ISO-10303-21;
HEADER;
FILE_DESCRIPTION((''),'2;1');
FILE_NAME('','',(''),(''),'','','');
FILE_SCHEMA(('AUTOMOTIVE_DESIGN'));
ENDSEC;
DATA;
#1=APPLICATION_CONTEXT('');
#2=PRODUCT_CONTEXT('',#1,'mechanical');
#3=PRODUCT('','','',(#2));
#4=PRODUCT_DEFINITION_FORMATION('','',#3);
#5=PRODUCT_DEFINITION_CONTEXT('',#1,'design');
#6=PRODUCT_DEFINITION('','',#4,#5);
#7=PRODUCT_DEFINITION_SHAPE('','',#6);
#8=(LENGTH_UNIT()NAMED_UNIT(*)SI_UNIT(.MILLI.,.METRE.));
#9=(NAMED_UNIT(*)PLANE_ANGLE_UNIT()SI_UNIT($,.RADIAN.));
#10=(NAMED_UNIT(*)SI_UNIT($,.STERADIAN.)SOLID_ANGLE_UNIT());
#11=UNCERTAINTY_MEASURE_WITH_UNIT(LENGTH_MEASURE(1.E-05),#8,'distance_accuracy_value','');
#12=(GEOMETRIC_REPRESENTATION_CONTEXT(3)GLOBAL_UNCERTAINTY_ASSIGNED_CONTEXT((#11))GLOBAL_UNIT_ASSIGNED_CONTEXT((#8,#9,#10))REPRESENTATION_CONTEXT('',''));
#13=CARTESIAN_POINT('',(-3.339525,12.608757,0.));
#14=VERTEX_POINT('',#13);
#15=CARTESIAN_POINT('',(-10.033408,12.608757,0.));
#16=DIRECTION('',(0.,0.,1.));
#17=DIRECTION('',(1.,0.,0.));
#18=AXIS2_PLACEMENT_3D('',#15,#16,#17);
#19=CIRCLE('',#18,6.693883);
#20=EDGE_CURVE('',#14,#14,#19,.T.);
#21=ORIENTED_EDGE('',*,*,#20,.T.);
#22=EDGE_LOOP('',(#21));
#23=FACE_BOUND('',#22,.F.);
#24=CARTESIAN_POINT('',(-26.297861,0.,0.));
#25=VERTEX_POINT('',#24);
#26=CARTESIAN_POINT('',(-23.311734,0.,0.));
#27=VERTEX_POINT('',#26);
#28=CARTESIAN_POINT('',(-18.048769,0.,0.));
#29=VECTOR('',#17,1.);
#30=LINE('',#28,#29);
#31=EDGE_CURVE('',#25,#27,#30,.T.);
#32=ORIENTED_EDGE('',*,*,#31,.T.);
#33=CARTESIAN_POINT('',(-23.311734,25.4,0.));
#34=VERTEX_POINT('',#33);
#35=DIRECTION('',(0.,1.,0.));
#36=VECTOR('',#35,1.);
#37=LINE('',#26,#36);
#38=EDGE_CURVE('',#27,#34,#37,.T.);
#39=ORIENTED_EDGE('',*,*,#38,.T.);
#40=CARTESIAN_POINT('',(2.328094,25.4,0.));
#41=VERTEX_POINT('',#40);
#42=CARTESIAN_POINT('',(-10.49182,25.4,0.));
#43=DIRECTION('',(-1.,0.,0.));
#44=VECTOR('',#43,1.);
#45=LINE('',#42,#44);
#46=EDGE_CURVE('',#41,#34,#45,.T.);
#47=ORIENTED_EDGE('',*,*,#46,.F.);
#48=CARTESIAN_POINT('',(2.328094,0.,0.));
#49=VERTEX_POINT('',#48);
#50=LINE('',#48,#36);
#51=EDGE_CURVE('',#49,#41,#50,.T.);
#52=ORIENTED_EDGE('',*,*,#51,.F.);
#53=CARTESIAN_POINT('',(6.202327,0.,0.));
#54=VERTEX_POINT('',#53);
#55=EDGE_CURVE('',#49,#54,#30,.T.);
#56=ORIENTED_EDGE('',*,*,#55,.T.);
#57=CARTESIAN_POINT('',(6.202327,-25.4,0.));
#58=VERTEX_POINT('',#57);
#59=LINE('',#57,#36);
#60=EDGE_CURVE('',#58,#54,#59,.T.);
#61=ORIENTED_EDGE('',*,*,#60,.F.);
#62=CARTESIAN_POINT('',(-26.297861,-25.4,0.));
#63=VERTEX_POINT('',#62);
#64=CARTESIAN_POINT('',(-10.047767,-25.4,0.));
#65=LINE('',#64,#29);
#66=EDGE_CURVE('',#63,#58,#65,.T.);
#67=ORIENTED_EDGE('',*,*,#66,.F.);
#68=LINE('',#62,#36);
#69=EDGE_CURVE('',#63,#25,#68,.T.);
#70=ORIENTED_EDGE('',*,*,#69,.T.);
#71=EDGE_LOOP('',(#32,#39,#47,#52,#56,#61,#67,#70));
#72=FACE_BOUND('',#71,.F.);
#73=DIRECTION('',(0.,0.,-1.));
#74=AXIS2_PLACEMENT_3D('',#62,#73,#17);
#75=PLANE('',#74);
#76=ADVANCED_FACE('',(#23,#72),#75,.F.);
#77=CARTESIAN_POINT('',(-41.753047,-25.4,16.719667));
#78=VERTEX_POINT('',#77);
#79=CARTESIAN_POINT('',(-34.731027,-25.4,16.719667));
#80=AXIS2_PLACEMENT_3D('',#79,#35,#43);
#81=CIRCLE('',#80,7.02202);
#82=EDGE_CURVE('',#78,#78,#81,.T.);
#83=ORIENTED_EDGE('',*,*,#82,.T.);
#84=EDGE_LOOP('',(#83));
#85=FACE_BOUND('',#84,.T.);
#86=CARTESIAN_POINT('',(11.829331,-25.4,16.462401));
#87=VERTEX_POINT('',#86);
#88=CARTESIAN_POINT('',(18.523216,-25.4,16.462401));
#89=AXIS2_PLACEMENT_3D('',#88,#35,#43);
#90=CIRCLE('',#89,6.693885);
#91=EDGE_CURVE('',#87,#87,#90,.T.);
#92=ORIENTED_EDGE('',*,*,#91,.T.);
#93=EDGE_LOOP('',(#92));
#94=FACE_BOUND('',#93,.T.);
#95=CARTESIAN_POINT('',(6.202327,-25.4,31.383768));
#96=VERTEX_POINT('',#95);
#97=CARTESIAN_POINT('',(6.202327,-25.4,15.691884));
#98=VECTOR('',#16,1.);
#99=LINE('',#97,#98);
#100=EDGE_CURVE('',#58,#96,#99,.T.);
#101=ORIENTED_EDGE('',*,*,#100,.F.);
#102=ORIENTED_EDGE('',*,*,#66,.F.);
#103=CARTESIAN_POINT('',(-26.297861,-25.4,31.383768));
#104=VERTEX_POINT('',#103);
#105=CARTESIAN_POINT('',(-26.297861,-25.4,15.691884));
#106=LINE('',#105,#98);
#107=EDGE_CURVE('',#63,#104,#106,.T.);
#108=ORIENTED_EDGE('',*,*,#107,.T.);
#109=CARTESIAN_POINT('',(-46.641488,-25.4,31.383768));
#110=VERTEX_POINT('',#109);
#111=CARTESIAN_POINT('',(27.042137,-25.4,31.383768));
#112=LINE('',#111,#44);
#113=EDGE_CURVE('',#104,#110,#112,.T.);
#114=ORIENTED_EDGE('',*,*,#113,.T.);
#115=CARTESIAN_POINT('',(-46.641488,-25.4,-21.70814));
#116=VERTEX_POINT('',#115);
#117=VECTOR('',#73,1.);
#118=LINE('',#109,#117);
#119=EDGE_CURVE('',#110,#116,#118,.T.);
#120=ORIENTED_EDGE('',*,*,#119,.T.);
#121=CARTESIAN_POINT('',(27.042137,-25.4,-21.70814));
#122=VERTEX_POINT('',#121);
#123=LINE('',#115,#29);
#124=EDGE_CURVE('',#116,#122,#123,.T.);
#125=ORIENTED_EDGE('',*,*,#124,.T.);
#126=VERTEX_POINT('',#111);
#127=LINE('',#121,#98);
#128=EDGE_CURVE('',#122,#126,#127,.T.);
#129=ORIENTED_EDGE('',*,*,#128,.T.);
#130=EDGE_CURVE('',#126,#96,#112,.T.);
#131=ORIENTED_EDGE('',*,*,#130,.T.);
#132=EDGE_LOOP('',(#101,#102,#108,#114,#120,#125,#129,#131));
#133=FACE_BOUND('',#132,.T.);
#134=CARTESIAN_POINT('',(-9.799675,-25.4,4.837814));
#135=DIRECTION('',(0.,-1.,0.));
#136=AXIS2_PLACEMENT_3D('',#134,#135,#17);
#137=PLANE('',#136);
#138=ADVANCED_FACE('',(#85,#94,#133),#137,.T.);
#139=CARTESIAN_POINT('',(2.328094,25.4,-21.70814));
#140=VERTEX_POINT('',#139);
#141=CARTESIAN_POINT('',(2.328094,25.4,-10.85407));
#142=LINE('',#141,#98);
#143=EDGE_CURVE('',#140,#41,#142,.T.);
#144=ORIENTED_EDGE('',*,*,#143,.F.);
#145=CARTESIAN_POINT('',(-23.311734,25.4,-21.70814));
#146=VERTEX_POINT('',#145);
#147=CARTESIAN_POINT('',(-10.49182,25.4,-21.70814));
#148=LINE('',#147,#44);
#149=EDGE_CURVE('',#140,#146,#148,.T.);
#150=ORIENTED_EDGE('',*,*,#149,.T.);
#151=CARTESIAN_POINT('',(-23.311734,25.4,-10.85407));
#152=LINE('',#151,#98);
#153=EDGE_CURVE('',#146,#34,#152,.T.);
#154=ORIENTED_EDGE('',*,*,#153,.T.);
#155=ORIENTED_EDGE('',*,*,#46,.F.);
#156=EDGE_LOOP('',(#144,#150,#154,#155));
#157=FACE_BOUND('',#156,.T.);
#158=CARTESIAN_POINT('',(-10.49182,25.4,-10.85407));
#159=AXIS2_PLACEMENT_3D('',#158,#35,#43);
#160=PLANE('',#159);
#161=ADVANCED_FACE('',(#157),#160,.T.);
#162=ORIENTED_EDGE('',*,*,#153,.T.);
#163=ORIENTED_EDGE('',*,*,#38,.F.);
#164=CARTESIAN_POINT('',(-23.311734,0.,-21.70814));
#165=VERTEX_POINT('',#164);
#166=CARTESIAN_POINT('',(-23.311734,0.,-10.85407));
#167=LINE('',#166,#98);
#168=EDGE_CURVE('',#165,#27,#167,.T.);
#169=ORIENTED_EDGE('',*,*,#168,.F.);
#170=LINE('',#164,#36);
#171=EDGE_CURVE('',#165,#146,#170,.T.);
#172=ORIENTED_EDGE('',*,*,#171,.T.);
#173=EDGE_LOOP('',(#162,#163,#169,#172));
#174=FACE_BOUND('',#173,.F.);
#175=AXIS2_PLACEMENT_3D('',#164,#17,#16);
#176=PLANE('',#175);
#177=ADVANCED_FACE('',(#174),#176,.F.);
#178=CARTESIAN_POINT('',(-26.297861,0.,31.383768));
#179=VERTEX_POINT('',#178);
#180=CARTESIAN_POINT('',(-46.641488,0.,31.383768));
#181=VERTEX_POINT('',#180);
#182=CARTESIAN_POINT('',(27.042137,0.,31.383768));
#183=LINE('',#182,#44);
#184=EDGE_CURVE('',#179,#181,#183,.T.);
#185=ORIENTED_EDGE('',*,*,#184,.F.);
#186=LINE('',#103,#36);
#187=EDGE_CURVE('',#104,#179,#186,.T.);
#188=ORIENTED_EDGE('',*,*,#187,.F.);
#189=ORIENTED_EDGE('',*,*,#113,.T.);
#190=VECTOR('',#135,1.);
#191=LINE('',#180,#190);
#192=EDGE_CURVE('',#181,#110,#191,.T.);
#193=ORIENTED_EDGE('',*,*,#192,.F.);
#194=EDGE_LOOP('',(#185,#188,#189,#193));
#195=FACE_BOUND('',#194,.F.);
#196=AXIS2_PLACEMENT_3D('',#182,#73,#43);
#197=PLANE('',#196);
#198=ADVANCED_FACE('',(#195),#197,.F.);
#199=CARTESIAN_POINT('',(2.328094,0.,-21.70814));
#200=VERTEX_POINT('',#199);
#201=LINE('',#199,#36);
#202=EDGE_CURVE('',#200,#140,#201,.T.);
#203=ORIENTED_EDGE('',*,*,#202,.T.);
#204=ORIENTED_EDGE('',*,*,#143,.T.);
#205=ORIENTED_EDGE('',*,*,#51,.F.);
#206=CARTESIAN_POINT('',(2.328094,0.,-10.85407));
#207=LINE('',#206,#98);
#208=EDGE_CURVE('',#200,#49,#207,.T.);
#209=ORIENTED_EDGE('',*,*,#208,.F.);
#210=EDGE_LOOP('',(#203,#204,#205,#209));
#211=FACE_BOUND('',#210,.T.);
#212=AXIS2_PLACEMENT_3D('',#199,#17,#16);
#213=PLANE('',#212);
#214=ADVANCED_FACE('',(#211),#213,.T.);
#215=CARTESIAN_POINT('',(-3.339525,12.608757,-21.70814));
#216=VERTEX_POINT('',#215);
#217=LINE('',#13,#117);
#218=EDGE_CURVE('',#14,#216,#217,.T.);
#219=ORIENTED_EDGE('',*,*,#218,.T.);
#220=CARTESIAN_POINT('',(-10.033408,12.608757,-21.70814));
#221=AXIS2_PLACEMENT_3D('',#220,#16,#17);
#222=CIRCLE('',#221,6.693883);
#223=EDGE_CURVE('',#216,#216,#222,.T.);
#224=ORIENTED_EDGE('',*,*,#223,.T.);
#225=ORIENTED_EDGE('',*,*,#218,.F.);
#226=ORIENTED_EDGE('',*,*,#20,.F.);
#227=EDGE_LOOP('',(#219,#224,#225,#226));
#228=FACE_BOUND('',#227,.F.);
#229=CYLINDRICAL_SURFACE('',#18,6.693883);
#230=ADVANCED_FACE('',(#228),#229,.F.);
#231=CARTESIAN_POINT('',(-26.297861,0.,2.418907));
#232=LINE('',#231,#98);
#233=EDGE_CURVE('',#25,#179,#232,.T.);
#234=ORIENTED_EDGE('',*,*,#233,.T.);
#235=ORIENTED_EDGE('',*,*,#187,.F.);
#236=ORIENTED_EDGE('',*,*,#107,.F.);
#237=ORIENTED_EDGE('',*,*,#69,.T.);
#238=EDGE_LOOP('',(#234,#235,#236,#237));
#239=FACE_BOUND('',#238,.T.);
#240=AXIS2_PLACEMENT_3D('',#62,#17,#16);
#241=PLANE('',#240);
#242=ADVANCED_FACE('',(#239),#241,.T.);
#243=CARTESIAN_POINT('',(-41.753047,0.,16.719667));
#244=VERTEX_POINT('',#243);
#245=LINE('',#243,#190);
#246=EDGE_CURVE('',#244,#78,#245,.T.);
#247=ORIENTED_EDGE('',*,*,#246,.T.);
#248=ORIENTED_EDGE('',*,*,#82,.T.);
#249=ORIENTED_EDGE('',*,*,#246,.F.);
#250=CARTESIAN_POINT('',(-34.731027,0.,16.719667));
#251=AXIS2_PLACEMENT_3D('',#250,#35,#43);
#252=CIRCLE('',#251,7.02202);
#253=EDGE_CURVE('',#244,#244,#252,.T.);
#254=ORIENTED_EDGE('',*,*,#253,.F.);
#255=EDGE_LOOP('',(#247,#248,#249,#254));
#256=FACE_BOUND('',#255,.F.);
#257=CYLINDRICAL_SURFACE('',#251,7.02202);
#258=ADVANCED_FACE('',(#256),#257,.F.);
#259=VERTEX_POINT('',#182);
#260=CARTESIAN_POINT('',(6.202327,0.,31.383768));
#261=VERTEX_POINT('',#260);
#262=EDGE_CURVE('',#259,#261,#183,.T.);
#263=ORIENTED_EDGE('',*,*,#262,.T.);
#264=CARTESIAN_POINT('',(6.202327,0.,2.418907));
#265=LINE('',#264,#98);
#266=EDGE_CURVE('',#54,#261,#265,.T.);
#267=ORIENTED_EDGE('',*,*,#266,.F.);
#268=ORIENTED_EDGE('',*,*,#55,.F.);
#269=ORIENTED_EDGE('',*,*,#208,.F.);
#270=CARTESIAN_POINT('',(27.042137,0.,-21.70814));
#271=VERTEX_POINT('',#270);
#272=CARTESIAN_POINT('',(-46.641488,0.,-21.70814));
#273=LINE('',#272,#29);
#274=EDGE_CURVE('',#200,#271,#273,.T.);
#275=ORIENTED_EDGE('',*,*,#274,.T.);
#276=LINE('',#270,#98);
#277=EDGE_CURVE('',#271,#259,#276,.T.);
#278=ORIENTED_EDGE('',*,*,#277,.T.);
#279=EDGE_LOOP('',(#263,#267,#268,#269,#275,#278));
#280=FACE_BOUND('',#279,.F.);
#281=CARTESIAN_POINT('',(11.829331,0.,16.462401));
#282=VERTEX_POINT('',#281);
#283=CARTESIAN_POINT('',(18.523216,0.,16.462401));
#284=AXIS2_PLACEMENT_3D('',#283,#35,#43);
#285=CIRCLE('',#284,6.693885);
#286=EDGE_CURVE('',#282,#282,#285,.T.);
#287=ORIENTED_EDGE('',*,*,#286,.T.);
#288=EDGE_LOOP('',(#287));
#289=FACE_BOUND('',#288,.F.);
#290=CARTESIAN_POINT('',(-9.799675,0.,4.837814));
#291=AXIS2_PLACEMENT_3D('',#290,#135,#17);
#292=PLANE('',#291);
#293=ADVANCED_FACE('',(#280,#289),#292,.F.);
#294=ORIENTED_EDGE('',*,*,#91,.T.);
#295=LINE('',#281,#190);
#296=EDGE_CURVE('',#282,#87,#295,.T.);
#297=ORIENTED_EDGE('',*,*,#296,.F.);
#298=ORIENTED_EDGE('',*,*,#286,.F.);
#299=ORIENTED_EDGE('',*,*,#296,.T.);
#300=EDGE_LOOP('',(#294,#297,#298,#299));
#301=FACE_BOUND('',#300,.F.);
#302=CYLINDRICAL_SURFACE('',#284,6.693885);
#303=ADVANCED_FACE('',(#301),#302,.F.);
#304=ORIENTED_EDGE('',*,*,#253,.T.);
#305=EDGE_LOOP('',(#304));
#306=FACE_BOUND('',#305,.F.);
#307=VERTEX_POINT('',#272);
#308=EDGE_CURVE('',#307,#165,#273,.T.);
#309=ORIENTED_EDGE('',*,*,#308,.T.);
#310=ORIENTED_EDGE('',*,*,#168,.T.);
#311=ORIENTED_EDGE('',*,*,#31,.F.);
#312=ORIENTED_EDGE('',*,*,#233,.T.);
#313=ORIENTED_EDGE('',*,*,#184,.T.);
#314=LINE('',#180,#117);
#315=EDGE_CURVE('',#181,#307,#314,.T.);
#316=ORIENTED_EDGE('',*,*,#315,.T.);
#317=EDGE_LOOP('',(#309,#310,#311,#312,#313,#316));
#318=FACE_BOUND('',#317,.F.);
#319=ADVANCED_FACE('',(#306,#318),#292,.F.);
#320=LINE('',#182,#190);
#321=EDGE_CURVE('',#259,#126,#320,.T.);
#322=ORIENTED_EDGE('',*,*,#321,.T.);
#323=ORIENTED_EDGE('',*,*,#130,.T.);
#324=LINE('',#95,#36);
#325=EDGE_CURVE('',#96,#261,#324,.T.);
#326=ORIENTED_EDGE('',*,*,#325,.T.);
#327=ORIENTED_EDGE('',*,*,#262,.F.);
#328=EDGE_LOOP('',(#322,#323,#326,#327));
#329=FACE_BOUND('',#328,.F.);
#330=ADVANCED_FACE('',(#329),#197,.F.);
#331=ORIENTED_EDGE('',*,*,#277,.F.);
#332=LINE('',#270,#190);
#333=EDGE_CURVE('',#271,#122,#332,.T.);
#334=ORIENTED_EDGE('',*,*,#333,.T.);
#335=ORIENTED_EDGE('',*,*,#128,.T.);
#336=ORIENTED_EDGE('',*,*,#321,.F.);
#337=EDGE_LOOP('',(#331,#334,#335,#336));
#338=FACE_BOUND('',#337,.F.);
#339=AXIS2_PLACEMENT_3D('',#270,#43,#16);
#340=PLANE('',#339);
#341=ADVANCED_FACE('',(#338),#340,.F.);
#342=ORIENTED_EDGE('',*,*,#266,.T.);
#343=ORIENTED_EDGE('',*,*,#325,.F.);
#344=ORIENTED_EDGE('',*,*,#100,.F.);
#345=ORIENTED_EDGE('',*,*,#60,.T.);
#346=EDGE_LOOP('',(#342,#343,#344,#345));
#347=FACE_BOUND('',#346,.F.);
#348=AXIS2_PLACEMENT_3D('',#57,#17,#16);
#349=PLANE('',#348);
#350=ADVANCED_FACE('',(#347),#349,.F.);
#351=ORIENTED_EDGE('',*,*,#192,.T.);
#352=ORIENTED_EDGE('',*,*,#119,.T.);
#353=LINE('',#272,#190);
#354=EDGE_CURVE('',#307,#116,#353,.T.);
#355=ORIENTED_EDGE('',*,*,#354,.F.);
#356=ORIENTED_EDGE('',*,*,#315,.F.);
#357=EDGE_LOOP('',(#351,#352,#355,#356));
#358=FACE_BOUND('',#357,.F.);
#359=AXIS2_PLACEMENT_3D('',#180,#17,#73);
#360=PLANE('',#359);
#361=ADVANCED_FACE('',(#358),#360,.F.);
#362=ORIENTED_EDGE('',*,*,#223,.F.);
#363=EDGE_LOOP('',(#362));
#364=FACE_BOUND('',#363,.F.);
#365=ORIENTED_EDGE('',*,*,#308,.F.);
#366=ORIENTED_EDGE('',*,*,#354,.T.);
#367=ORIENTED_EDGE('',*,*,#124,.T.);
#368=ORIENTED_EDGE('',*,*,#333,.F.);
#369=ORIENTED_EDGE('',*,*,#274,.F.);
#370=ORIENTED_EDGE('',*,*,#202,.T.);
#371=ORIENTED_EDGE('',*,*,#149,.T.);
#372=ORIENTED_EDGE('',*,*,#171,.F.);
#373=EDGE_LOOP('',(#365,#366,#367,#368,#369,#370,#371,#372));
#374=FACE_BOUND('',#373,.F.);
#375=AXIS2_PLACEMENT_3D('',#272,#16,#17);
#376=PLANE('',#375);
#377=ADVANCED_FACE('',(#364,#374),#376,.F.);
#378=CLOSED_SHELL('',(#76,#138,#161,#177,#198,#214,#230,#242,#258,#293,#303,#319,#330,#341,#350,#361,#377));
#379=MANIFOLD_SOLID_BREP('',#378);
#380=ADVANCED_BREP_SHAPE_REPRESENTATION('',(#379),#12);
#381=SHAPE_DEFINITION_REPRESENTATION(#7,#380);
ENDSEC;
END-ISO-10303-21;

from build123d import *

# Parameters (mm, degrees)
F1_DEPTH  = 25.4
F2_W      = 32.500189
F2_H      = 31.383768
F3_DEPTH  = 76.2
F4_W      = 25.639828
F4_H      = 21.70814
F5_DEPTH  = 25.4
F8_R      = 6.693883
F9_DEPTH  = 25.4
F6_R      = 6.693885
F10_DEPTH = 25.4
F7_R      = 7.02202
F11_DEPTH = 25.4


with BuildPart() as f1:
    # F0 (on Front) → F1 (new body)
    with BuildSketch(Plane.XZ):
        Polygon((-46.641488, 31.383768), (-46.641488, 28.902836), (-46.641488, -21.70814), (27.042137, -21.70814), (27.042137, 31.383768), align=None)
    extrude(amount=F1_DEPTH)

    # F2 (on face) → F3 (cut)
    with BuildSketch(Plane.XZ.offset(25.4)):
        with Locations((-10.047767, 15.691884)):
            Rectangle(F2_W, F2_H)
    extrude(amount=-F3_DEPTH, mode=Mode.SUBTRACT)

    # F4 (on face) → F5 (join)
    with BuildSketch(Plane(origin=(0, 0, 0), x_dir=(-1, 0, 0), z_dir=(0, 1, 0))):
        with Locations((10.49182, -10.85407)):
            Rectangle(F4_W, F4_H)
    extrude(amount=F5_DEPTH)

    # F8 (on face) → F9 (cut)
    with BuildSketch(Plane.XY):
        with Locations((-10.033408, 12.608757)):
            Circle(F8_R)
    extrude(amount=-F9_DEPTH, mode=Mode.SUBTRACT)

    # F6 (on face) → F10 (cut)
    with BuildSketch(Plane(origin=(0, 0, 0), x_dir=(-1, 0, 0), z_dir=(0, 1, 0))):
        with Locations((-18.523216, 16.462401)):
            Circle(F6_R)
    extrude(amount=-F10_DEPTH, mode=Mode.SUBTRACT)

    # F7 (on face) → F11 (cut)
    with BuildSketch(Plane(origin=(0, 0, 0), x_dir=(-1, 0, 0), z_dir=(0, 1, 0))):
        with Locations((34.731027, 16.719667)):
            Circle(F7_R)
    extrude(amount=-F11_DEPTH, mode=Mode.SUBTRACT)


solid = f1.part
